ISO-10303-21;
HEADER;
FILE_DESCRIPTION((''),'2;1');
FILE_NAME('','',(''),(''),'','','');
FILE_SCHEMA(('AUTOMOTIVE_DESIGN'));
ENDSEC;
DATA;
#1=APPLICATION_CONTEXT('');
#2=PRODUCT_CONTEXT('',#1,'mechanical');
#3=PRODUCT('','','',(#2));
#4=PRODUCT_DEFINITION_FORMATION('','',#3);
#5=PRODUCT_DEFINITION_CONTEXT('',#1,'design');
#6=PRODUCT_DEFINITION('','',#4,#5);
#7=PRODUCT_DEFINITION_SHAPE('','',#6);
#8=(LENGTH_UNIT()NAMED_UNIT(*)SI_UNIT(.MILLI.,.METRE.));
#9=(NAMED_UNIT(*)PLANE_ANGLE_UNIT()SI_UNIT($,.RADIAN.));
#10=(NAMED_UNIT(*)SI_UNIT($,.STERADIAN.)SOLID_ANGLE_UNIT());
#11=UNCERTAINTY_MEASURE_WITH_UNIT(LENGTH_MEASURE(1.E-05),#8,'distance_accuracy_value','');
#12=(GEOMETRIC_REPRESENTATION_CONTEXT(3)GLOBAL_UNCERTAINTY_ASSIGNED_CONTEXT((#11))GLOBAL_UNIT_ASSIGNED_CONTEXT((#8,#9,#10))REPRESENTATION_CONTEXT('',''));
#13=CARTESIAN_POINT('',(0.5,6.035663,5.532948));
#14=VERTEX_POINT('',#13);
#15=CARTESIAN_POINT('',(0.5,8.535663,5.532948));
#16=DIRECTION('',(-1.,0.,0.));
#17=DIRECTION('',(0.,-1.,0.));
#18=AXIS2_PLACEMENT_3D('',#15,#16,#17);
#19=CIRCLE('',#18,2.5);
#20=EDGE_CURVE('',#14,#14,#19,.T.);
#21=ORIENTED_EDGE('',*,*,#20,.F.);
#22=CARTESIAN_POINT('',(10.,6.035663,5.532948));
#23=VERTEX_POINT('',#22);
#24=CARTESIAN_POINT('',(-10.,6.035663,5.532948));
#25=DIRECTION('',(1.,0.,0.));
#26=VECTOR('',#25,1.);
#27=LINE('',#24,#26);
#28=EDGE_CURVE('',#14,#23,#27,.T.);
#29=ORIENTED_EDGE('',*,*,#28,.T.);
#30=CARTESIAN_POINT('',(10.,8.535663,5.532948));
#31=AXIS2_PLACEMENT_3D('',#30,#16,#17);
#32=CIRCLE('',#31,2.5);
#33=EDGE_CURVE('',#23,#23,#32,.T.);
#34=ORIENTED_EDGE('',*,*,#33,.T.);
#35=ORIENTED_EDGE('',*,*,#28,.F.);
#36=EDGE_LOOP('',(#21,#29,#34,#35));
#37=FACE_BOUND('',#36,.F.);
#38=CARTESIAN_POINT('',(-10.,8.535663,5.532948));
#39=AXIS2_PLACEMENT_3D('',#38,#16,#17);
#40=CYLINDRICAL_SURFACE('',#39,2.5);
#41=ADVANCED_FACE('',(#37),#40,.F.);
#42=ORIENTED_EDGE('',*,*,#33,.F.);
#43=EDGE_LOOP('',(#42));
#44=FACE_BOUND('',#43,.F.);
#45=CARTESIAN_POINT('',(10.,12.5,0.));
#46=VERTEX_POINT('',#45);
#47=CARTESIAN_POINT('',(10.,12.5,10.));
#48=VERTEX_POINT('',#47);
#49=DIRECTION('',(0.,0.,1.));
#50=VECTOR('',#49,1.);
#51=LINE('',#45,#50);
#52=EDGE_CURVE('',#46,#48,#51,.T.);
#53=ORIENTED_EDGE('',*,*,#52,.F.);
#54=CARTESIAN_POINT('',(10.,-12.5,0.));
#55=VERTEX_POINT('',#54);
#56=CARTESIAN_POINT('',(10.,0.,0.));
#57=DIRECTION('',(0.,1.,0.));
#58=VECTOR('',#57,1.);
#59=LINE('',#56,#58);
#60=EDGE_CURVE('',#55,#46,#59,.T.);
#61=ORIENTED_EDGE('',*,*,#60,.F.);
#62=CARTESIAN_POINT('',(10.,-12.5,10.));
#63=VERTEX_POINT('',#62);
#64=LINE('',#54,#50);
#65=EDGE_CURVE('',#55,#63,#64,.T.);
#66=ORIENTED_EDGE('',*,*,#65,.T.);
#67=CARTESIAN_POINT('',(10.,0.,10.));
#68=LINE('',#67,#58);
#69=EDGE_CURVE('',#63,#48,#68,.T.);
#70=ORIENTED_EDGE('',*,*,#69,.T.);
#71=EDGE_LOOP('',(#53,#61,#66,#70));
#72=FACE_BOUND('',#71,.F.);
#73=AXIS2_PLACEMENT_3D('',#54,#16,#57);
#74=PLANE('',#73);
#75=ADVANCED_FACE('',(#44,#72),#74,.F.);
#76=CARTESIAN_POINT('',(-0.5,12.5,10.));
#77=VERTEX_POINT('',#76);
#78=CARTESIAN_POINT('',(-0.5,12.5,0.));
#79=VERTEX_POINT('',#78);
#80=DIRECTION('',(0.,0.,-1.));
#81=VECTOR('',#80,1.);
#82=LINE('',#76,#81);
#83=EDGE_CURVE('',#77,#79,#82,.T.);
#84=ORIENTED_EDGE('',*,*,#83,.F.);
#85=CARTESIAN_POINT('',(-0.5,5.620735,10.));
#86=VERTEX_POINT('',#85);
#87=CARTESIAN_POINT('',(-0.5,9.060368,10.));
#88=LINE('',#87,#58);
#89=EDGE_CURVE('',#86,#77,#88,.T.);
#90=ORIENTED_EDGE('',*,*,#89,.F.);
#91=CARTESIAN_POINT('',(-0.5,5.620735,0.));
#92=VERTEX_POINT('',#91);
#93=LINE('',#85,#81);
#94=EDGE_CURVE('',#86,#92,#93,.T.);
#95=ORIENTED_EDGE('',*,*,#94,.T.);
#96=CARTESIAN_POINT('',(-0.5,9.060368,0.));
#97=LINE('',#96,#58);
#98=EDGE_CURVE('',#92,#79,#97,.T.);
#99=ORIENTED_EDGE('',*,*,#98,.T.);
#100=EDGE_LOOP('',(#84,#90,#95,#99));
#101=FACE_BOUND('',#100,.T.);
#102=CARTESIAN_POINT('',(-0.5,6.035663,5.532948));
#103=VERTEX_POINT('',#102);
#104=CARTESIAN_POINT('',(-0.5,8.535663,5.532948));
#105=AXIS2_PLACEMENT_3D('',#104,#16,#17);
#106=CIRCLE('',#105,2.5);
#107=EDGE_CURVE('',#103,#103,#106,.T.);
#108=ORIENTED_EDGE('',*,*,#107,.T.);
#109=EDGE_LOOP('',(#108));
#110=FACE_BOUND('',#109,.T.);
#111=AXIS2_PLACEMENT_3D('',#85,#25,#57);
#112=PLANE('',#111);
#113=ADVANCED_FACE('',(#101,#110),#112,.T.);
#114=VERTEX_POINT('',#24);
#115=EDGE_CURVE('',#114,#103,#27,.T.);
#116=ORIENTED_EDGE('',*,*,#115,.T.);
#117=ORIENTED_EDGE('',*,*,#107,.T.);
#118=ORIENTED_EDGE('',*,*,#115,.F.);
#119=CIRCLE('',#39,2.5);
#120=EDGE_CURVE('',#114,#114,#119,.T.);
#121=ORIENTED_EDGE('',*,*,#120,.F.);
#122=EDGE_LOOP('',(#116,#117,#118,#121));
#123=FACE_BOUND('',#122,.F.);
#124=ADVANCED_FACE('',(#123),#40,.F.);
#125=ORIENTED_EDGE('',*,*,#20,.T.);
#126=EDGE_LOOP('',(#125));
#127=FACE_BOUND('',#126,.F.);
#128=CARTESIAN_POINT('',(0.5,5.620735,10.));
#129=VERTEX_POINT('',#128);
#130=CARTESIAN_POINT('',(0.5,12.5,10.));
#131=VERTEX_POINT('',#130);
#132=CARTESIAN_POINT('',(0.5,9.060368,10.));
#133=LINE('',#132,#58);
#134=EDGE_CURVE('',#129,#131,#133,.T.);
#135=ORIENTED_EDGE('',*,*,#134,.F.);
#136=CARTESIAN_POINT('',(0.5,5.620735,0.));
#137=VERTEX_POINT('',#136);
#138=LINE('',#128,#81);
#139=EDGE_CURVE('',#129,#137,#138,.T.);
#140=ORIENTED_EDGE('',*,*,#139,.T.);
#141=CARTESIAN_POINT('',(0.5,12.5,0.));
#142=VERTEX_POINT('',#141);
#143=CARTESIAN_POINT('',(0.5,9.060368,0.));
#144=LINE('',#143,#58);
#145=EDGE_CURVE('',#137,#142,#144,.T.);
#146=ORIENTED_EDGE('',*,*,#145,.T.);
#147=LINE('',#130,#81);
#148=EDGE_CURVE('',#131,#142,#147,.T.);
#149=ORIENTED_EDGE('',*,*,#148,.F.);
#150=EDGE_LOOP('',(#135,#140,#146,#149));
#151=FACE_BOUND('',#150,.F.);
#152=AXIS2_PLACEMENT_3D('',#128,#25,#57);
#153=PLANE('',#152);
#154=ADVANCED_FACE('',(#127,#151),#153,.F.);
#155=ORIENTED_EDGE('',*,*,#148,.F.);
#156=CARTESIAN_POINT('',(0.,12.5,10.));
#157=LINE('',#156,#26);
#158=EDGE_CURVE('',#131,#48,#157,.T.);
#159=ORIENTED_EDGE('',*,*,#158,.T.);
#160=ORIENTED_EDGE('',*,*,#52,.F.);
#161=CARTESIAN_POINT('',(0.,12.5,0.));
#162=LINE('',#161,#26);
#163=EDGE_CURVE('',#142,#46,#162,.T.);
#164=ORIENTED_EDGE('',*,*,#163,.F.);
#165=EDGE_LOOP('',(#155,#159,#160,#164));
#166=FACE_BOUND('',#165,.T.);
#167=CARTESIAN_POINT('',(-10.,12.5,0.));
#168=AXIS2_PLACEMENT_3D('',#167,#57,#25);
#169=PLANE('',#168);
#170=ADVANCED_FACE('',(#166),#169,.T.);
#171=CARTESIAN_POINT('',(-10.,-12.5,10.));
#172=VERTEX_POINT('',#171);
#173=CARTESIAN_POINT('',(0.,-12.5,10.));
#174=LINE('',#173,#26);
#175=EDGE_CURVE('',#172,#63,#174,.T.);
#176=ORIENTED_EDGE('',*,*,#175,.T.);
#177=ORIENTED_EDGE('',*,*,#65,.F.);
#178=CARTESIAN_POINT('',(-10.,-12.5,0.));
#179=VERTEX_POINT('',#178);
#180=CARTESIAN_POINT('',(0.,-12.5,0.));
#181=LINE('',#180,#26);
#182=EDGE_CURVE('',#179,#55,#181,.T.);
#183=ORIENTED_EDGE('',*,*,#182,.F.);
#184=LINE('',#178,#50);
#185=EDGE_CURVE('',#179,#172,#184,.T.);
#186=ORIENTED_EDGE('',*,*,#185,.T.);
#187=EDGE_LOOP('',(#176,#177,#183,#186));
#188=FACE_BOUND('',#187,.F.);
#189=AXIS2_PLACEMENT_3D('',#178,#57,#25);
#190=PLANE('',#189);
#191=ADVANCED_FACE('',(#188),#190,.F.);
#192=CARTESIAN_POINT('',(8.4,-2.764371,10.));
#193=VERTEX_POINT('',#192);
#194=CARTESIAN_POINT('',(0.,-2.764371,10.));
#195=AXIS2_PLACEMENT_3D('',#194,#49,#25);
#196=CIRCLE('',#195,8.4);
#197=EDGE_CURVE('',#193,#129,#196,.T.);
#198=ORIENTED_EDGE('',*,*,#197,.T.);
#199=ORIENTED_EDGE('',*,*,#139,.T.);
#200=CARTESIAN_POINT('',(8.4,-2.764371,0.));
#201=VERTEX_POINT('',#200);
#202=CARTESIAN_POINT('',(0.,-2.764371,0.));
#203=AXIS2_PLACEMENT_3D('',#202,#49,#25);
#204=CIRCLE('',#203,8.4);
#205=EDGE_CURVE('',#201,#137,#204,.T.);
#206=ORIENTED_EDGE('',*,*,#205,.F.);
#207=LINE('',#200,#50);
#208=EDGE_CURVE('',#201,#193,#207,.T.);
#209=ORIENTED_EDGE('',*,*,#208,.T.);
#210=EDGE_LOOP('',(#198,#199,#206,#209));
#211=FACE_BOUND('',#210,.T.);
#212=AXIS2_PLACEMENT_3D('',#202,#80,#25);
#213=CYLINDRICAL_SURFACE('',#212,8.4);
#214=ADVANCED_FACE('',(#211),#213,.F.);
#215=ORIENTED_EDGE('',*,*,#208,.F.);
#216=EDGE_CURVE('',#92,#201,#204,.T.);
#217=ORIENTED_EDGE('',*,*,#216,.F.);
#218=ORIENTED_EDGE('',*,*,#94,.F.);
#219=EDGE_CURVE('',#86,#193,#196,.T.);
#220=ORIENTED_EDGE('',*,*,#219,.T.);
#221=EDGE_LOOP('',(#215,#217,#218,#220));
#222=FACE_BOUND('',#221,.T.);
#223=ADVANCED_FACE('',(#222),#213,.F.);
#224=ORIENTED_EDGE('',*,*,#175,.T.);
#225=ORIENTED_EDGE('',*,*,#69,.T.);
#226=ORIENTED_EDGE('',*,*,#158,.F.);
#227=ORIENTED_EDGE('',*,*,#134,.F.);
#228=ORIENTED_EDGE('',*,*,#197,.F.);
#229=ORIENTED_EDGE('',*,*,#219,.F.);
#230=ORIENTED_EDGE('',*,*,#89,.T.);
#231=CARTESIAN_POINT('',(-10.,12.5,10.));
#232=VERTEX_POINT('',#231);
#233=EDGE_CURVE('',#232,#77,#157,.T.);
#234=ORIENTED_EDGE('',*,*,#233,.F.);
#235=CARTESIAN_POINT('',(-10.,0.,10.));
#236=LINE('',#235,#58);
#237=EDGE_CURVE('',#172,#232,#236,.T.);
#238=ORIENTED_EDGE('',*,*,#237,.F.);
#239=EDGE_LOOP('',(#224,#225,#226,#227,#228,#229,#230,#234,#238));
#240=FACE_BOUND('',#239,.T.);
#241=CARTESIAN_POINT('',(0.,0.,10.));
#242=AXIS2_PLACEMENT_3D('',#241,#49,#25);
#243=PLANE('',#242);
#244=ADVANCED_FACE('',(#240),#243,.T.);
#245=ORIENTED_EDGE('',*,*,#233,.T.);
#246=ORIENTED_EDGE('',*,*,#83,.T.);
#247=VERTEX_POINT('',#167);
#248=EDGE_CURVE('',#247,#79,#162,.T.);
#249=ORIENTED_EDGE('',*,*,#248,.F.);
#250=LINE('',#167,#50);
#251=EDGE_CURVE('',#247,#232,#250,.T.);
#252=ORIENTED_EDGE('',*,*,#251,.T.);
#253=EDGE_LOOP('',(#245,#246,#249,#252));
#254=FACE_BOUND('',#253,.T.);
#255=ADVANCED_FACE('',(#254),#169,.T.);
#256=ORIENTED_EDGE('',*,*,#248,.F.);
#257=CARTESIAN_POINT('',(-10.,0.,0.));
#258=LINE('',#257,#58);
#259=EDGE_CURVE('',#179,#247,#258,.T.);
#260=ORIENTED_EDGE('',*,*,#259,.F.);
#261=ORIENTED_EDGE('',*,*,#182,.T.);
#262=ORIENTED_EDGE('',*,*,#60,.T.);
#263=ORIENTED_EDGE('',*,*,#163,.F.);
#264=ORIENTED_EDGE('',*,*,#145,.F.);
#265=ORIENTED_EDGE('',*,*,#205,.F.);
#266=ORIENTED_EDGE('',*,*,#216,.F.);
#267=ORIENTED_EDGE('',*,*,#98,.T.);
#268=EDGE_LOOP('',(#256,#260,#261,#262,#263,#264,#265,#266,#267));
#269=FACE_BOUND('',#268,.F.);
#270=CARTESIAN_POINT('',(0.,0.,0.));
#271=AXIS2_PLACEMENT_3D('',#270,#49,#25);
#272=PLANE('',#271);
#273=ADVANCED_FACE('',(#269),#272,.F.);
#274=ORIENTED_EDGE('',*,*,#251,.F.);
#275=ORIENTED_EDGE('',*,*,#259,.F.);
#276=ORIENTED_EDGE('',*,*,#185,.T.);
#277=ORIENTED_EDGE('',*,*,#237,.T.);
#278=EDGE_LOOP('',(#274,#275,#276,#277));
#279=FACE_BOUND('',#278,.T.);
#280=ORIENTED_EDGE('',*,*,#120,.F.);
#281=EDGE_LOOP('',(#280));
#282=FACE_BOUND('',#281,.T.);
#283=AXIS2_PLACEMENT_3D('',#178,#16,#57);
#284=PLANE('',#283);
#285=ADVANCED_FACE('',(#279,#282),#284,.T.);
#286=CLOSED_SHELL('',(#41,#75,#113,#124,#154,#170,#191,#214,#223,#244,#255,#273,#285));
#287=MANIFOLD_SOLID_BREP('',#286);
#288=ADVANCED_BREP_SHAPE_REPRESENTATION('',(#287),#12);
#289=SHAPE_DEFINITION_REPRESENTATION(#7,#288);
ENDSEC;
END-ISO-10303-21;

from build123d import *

# Parameters (mm, degrees)
F0_W     = 20
F0_H     = 25
F0_R     = 8.4
F1_DEPTH = 10
F2_W     = 1
F2_H     = 6.8792646822
F3_DEPTH = 10
F4_R     = 2.5
F5_DEPTH = 20


with BuildPart() as f1:
    # F0 (on Top) → F1 (new body)
    with BuildSketch(Plane.XY):
        Rectangle(F0_W, F0_H)
        with Locations((0, -2.7643705253)):
            Circle(F0_R, mode=Mode.SUBTRACT)
    extrude(amount=F1_DEPTH)

    # F2 (on face) → F3 (cut)
    with BuildSketch(Plane.XY.offset(10)):
        with Locations((0, 9.0603676589)):
            Rectangle(F2_W, F2_H)
    extrude(amount=-F3_DEPTH, mode=Mode.SUBTRACT)

    # F4 (on face) → F5 (cut)
    with BuildSketch(Plane(origin=(-10, 0, 0), x_dir=(0, -1, 0), z_dir=(-1, 0, 0))):
        with Locations((-8.5356631532, 5.5329478068)):
            Circle(F4_R)
    extrude(amount=-F5_DEPTH, mode=Mode.SUBTRACT)


solid = f1.part
